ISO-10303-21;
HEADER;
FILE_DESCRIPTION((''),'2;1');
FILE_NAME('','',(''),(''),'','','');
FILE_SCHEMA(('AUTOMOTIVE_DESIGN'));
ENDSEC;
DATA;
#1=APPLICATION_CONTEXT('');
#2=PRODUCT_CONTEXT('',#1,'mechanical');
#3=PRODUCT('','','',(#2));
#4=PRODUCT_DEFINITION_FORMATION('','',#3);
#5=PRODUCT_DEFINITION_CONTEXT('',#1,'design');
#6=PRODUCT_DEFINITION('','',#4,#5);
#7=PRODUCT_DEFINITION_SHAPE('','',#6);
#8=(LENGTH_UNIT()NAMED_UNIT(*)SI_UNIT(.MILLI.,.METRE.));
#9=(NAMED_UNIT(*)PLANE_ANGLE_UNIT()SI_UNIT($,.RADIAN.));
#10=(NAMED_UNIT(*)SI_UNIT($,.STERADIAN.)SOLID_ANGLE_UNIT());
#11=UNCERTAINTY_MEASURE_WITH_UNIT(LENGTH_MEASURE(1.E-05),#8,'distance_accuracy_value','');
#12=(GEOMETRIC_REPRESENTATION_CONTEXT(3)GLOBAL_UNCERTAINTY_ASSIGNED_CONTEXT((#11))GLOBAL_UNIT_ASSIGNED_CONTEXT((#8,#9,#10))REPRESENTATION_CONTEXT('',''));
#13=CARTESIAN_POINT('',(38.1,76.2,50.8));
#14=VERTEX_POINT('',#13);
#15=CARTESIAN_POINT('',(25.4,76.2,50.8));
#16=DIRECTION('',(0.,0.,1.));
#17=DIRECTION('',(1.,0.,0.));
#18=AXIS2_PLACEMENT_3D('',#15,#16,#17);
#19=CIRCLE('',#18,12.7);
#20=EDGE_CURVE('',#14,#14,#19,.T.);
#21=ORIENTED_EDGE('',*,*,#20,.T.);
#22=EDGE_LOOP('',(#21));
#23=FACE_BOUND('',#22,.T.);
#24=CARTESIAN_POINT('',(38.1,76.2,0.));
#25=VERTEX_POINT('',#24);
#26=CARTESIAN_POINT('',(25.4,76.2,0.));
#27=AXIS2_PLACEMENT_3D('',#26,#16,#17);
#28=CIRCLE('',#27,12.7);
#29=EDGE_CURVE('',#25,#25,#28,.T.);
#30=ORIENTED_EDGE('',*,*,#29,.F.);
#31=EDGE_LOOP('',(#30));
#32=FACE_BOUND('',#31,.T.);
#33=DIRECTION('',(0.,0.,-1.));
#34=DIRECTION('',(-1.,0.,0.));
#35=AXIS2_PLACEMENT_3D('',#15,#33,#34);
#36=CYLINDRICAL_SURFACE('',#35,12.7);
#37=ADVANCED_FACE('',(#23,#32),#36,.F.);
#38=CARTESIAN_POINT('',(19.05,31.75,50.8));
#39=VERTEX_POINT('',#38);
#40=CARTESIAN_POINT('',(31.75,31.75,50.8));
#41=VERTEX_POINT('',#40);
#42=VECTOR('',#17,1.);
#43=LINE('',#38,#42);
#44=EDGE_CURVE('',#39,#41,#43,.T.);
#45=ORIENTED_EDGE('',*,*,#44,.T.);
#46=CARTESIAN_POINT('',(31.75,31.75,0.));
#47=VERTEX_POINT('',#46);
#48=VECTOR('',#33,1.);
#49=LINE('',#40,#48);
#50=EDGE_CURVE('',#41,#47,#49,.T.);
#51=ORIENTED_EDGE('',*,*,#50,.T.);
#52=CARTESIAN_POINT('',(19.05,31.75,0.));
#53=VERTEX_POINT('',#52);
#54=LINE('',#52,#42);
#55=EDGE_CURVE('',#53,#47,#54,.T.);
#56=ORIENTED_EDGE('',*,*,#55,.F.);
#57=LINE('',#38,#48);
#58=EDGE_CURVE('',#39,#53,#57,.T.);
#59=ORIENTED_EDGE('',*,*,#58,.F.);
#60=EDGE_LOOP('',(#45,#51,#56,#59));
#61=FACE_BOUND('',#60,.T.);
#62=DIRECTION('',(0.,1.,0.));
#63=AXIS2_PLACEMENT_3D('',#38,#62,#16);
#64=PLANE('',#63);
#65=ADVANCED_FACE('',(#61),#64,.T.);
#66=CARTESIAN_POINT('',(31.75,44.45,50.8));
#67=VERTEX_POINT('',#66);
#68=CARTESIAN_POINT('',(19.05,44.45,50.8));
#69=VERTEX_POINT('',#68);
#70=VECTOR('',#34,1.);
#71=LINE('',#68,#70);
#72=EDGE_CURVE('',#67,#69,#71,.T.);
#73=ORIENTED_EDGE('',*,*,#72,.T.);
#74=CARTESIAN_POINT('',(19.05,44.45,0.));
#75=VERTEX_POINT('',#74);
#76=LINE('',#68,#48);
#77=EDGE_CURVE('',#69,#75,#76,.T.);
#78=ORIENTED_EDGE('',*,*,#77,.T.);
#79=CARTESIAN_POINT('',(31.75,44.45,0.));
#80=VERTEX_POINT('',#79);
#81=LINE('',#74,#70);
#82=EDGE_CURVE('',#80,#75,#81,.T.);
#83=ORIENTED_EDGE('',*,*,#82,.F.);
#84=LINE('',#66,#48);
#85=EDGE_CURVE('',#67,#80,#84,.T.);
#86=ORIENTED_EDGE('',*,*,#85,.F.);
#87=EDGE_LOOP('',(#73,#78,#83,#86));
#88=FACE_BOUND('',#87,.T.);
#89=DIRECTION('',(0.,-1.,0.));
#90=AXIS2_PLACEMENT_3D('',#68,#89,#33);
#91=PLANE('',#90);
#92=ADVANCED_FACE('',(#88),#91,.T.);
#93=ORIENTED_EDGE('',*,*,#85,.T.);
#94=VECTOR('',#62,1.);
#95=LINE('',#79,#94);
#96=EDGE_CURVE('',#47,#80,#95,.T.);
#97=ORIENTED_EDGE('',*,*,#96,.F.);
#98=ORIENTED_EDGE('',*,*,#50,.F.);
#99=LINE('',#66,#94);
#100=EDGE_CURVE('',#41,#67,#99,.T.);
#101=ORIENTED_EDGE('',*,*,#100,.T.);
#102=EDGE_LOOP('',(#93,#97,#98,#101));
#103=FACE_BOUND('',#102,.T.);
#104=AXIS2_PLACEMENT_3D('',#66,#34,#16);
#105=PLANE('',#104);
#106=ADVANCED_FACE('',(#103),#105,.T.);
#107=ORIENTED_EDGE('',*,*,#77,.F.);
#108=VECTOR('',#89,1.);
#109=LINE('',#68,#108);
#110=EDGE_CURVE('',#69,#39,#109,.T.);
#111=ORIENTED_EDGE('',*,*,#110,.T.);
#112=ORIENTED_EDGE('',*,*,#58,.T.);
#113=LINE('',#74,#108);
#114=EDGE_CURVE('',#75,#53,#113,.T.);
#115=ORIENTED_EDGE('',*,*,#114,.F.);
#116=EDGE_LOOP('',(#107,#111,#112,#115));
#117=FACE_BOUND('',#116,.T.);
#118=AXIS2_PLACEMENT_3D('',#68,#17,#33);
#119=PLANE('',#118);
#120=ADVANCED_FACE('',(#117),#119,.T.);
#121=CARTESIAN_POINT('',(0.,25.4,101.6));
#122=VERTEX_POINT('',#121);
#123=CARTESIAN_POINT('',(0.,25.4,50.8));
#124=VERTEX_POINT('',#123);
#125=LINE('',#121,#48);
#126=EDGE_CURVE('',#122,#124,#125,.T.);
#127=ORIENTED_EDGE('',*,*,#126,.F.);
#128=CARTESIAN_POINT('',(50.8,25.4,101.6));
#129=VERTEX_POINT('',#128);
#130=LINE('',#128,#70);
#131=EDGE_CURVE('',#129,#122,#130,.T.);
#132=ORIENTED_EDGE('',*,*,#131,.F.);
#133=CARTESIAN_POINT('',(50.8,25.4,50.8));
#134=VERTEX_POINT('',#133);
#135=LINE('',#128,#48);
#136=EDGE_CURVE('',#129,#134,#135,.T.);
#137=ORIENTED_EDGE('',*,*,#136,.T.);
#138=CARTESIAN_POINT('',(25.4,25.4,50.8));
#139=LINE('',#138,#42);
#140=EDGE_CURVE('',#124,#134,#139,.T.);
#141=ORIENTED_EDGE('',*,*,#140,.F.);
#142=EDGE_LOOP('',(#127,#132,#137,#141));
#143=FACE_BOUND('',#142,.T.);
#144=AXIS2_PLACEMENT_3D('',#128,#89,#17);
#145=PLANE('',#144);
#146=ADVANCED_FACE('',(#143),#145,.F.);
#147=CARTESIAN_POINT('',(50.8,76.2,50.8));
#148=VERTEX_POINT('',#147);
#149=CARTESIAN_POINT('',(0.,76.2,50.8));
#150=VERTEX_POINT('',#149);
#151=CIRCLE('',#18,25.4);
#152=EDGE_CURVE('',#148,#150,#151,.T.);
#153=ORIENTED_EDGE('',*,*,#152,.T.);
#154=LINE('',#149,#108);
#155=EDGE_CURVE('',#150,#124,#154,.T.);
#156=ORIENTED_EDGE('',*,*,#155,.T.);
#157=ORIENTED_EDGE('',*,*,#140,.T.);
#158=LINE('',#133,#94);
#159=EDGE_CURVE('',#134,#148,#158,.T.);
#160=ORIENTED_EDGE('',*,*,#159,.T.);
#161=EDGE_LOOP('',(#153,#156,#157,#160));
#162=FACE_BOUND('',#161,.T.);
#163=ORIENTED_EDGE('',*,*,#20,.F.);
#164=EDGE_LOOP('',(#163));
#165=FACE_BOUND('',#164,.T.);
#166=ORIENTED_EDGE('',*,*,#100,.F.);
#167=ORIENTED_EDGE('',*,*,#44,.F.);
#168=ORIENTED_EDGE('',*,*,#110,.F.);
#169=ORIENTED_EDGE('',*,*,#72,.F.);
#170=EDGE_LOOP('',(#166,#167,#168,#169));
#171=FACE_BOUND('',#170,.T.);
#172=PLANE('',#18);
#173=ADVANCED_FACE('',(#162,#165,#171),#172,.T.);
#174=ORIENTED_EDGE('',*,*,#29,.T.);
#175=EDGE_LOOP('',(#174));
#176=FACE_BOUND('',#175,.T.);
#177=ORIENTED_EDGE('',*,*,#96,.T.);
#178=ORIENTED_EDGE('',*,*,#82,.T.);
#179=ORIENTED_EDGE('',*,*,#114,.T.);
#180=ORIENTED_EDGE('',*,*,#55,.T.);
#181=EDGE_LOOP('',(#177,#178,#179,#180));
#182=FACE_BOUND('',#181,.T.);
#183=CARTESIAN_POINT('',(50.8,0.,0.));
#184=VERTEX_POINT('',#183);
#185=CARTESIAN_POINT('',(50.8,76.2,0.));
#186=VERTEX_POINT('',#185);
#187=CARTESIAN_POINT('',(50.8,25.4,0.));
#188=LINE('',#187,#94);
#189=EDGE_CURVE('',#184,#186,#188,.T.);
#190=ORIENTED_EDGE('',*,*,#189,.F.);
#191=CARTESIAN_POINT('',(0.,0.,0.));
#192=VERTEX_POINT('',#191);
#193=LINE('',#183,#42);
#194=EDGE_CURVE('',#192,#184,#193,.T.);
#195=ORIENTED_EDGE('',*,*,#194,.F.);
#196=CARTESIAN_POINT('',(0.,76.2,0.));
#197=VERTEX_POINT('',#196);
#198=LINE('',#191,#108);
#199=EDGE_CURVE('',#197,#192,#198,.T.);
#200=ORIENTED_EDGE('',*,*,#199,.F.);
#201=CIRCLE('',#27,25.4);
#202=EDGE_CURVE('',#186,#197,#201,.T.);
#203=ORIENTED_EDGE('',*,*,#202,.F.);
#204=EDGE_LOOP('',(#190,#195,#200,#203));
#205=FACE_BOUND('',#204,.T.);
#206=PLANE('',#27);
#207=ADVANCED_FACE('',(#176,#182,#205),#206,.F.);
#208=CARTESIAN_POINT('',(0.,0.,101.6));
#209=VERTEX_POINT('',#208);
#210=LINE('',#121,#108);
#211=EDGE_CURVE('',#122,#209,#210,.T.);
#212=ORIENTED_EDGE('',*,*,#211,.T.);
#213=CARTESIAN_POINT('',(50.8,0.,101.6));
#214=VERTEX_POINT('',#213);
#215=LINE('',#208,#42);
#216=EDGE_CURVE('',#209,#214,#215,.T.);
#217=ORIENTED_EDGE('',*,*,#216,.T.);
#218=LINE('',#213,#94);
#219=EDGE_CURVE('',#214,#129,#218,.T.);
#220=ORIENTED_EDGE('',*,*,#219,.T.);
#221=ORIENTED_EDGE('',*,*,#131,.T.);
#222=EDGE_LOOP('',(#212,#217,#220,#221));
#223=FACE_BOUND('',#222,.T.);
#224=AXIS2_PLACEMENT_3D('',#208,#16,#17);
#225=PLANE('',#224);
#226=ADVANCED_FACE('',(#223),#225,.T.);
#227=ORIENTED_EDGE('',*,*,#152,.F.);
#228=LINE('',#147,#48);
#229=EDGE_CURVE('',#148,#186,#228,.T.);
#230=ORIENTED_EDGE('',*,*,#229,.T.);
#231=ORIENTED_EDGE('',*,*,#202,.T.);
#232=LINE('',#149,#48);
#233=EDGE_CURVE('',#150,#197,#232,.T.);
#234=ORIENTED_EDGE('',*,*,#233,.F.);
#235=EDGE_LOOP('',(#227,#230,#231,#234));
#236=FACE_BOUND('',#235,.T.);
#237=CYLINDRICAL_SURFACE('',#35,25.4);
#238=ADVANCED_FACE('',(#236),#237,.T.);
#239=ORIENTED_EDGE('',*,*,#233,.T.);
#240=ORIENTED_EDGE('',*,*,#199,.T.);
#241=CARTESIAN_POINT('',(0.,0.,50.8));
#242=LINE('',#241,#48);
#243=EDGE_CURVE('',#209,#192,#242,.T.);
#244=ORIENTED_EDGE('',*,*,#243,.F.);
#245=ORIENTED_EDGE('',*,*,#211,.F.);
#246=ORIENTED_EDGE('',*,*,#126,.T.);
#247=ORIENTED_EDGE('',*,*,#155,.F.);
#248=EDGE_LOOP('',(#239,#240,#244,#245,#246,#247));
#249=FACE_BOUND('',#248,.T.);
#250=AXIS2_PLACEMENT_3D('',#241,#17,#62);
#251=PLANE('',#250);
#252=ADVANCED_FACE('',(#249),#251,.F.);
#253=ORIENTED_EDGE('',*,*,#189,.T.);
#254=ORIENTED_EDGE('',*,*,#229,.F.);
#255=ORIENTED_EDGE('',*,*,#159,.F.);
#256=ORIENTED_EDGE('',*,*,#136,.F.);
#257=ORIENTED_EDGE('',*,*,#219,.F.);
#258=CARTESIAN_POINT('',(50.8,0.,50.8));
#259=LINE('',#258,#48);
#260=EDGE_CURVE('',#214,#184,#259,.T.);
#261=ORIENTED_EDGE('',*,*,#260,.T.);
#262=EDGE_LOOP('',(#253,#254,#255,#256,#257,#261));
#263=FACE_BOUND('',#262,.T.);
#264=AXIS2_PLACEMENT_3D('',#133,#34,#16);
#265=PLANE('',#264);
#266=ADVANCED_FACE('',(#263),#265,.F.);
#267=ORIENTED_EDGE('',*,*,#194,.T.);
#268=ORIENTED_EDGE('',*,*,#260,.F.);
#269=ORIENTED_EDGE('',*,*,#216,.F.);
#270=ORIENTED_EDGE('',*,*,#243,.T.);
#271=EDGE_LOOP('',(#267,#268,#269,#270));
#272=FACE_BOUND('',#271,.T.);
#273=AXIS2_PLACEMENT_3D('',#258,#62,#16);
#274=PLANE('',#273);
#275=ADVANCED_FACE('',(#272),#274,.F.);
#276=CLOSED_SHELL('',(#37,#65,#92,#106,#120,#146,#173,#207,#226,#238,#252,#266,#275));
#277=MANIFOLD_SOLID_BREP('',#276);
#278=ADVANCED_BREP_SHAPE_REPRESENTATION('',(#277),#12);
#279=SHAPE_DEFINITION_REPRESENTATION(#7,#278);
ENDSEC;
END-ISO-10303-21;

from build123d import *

# Parameters (mm, degrees)
SKETCH2_R           = 12.7
SKETCH2_W           = 12.7
SKETCH2_H           = 12.7
BOSS_EXTRUDE1_DEPTH = 50.8
SKETCH3_W           = 50.8
SKETCH3_H           = 25.4
BOSS_EXTRUDE2_DEPTH = 101.6


with BuildPart() as part:
    # Sketch2 → Boss-Extrude1 (new body)
    with BuildSketch(Plane.XY):
        with BuildLine():
            Line((50.8, 25.4), (50.8, 76.2))
            ThreePointArc((50.8, 76.2), (25.4, 101.6), (0, 76.2))
            Line((0, 76.2), (0, 25.4))
            Line((0, 25.4), (0, 0))
            Line((0, 0), (50.8, 0))
            Line((50.8, 0), (50.8, 25.4))
        make_face()
        with Locations((25.4, 76.2)):
            Circle(SKETCH2_R, mode=Mode.SUBTRACT)
        with Locations((25.4, 38.1)):
            Rectangle(SKETCH2_W, SKETCH2_H, mode=Mode.SUBTRACT)
    extrude(amount=BOSS_EXTRUDE1_DEPTH)

    # Sketch3 → Boss-Extrude2 (add)
    with BuildSketch(Plane.XY):
        with Locations((25.4, 12.7)):
            Rectangle(SKETCH3_W, SKETCH3_H)
    extrude(amount=BOSS_EXTRUDE2_DEPTH)


solid = part.part
